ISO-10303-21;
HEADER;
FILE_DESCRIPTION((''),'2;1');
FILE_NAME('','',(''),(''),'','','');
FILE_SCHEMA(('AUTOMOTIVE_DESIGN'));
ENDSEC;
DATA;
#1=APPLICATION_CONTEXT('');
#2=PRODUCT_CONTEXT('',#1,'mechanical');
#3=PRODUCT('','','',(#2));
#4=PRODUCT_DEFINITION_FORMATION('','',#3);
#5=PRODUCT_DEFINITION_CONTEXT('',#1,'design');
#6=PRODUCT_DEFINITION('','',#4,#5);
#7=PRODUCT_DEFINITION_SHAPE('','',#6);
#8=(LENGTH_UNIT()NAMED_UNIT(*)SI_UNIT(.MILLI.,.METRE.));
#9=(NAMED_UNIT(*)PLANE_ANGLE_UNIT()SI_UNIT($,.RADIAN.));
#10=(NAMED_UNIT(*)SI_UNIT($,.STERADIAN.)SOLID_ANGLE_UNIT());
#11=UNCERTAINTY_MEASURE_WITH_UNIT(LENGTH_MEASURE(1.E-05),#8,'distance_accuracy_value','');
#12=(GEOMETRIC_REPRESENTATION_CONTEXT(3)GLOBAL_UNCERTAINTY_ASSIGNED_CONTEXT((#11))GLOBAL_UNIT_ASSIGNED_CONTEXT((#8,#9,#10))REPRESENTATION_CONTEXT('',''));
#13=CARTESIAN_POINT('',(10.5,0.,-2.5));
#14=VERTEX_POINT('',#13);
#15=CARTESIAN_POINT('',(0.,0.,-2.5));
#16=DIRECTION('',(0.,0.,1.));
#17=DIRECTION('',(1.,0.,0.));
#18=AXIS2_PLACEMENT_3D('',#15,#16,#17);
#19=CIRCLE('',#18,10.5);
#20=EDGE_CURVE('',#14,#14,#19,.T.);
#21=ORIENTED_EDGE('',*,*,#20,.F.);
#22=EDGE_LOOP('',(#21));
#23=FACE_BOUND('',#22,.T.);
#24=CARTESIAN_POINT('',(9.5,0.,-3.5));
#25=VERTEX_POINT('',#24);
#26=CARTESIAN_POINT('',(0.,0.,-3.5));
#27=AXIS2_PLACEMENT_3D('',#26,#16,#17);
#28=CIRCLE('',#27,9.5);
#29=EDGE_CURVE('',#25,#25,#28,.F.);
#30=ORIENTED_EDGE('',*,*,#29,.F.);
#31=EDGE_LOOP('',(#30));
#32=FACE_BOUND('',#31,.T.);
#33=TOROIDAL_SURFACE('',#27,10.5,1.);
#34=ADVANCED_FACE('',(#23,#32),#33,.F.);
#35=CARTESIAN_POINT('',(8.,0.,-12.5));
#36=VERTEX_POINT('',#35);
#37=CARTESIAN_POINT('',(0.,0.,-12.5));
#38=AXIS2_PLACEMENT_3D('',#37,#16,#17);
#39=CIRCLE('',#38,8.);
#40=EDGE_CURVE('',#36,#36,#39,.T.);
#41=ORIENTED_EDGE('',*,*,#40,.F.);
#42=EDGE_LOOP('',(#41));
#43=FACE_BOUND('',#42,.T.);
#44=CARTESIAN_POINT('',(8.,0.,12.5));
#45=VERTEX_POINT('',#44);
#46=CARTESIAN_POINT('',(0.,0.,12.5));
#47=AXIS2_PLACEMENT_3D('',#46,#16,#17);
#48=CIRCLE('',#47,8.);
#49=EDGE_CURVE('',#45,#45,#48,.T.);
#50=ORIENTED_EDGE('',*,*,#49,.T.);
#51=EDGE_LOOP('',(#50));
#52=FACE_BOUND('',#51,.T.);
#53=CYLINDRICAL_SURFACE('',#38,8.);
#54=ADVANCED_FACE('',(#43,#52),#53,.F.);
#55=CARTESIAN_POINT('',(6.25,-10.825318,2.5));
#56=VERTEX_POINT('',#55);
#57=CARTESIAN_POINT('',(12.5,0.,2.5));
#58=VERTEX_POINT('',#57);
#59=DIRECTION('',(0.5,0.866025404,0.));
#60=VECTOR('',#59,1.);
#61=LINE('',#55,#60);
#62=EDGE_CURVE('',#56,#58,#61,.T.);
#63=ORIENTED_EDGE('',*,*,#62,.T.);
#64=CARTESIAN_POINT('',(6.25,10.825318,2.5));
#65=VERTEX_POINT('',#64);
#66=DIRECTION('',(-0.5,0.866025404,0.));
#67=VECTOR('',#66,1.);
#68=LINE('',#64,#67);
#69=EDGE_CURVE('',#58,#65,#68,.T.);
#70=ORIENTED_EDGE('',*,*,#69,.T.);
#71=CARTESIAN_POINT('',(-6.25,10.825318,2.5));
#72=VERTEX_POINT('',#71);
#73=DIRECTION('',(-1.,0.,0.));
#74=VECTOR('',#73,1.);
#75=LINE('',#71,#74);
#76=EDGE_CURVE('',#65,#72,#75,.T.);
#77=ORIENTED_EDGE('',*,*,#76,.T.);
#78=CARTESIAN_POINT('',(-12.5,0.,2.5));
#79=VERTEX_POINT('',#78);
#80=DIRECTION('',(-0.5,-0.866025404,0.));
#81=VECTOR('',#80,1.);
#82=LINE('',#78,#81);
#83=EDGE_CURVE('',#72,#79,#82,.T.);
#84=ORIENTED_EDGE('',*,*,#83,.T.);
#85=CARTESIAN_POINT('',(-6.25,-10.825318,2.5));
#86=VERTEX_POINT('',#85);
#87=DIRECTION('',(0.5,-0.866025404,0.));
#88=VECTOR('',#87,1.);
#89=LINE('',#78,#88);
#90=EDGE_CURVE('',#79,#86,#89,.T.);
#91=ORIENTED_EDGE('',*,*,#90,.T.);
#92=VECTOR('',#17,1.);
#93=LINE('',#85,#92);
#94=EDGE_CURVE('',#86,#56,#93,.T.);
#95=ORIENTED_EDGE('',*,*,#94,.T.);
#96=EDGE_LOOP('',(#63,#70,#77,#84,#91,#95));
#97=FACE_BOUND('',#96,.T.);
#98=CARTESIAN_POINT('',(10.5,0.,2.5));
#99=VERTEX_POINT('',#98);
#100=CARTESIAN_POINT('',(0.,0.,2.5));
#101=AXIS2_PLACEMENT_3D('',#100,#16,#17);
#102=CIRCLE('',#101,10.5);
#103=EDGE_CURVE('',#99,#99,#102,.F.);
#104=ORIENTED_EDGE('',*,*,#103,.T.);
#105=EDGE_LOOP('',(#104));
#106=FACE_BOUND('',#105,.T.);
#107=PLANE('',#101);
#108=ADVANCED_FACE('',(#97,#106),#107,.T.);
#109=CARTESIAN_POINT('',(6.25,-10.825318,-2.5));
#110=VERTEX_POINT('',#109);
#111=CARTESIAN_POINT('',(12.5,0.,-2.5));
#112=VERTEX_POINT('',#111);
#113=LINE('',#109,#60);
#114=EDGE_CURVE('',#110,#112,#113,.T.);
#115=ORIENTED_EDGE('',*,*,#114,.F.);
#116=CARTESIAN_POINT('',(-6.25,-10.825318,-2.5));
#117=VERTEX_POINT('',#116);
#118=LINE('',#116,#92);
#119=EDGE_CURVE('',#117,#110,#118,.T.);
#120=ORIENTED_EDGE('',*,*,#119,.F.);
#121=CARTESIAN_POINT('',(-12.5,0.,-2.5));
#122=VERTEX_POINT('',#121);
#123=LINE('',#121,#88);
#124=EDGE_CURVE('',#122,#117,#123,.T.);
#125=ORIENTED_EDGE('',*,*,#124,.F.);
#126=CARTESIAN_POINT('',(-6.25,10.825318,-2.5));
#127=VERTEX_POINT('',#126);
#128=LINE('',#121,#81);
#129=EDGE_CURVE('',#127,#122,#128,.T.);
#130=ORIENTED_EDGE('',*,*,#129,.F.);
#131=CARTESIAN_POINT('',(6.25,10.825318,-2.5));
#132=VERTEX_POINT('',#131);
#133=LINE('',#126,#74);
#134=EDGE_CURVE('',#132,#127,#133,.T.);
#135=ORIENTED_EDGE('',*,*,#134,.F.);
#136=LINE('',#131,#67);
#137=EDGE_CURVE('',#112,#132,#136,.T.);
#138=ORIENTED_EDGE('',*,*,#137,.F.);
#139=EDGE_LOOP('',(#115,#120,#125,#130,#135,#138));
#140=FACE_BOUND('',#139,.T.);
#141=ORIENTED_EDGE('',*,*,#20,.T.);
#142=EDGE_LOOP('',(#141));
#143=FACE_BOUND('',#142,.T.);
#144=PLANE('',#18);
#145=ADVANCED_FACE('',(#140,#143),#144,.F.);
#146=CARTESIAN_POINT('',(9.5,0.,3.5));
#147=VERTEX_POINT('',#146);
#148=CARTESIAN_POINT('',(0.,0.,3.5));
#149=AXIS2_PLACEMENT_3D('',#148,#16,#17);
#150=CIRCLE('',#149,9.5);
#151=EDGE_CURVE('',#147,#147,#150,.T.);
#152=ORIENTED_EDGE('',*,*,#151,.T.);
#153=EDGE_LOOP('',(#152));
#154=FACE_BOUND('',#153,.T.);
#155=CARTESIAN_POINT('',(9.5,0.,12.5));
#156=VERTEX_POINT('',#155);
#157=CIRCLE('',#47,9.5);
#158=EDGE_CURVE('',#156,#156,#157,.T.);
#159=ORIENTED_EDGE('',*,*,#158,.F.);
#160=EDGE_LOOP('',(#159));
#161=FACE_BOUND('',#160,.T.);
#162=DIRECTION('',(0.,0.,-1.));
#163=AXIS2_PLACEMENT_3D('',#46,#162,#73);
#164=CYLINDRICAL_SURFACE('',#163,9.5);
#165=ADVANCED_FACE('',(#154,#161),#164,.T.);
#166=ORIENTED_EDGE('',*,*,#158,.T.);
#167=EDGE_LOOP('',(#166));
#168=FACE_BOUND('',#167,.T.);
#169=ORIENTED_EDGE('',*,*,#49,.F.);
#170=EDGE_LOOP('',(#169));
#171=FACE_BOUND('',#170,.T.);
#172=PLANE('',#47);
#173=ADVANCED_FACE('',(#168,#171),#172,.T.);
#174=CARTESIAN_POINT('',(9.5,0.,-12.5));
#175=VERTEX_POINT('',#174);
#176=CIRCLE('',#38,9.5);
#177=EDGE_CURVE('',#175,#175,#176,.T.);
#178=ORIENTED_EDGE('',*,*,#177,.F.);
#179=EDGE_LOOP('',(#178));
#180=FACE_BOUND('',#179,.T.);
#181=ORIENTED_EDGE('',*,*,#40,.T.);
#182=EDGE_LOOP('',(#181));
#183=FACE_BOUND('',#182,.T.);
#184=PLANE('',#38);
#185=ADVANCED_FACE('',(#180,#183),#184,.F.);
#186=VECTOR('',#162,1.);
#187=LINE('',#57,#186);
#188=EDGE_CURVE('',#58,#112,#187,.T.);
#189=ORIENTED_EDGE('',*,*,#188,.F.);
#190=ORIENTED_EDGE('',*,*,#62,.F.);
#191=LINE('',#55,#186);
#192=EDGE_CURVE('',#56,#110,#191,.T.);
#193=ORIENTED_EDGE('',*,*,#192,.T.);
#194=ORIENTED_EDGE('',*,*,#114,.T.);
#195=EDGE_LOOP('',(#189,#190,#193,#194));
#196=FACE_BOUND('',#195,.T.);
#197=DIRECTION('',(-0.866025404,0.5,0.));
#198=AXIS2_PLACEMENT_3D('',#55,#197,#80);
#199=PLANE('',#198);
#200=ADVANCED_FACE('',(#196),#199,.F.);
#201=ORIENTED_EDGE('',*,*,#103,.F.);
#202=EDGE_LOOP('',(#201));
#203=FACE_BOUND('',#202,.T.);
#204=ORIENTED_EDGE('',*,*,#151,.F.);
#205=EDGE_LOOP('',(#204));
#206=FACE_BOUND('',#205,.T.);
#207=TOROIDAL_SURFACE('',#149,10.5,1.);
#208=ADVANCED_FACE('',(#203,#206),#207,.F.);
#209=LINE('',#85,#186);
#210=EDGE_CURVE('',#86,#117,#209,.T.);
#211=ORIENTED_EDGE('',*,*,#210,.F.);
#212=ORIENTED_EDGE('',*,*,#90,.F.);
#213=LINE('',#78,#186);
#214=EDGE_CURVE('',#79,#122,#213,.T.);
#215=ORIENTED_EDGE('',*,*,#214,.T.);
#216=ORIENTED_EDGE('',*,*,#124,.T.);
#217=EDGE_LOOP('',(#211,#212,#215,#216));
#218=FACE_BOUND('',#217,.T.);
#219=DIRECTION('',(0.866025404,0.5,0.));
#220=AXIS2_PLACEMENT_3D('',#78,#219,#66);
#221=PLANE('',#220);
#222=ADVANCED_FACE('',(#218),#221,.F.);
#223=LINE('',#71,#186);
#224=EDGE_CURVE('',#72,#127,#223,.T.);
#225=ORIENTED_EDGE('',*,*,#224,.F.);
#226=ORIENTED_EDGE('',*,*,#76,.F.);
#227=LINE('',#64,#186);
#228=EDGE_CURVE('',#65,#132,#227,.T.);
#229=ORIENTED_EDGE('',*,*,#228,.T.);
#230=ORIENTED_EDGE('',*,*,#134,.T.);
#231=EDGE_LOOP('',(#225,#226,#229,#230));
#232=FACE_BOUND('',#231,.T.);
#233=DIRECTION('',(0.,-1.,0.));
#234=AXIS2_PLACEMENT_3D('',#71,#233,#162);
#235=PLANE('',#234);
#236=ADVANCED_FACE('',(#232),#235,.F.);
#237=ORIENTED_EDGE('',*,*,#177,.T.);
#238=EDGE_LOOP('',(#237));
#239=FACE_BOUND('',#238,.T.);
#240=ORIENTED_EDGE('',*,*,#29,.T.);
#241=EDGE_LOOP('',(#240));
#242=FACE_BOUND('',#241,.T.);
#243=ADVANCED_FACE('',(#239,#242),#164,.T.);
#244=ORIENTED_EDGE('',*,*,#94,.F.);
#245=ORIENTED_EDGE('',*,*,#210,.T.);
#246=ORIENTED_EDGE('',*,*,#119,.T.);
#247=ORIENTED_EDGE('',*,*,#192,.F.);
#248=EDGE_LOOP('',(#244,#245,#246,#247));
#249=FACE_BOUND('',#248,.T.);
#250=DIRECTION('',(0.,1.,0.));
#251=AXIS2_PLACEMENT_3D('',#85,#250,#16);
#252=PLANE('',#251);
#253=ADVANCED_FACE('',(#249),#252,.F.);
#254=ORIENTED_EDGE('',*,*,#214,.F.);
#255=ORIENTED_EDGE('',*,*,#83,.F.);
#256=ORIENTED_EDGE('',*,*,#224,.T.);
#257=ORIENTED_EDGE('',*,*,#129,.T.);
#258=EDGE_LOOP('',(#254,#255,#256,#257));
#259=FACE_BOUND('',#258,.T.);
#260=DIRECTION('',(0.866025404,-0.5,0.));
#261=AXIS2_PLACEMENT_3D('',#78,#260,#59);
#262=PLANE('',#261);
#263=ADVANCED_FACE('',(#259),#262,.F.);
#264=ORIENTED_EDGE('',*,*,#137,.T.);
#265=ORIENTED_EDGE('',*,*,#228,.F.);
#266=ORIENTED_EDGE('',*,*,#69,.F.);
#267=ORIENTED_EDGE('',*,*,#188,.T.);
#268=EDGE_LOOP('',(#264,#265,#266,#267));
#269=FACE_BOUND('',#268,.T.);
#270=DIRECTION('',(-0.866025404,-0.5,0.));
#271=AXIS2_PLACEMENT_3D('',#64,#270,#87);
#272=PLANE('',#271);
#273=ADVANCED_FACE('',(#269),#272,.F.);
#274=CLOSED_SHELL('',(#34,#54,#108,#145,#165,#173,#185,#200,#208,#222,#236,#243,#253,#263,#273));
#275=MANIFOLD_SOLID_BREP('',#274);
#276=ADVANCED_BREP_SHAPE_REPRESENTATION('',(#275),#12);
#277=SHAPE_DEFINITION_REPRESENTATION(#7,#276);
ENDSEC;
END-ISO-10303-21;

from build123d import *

# Parameters (mm, degrees)
BOSS_EXTRUDE1_DEPTH     = 2.5
SKETCH2_R               = 9.5
BOSS_EXTRUDE2_DEPTH     = 12.5
CUT_EXTRUDE1_DEPTH      = 21.72890494
CUT_EXTRUDE1_DEPTH_BACK = 21.72890494
SKETCH3_R               = 8
FILLET1_R               = 1


with BuildPart() as part:
    # Sketch1 → Boss-Extrude1 (new, symmetric)
    with BuildSketch(Plane.XY):
        Polygon((-12.5, 0), (-6.25, 10.825317547), (6.25, 10.825317547), (12.5, 0), (6.25, -10.825317547), (-6.25, -10.825317547), align=None)
    extrude(amount=BOSS_EXTRUDE1_DEPTH, both=True)

    # Sketch2 → Boss-Extrude2 (add, symmetric)
    with BuildSketch(Plane.XY):
        Circle(SKETCH2_R)
    extrude(amount=BOSS_EXTRUDE2_DEPTH, both=True)

    # Sketch3 → Cut-Extrude1 (cut, two sides: drawn at the far end of the back side and taken through both)
    with BuildSketch(Plane.XY.offset(-CUT_EXTRUDE1_DEPTH_BACK)):
        Circle(SKETCH3_R)
    extrude(amount=CUT_EXTRUDE1_DEPTH + CUT_EXTRUDE1_DEPTH_BACK, mode=Mode.SUBTRACT)

    # Fillet1
    fillet1_edges = [part.edges().sort_by_distance(p)[0] for p in [
        (-9.5, 0, -2.5),
        (-9.5, 0, 2.5),
    ]]
    fillet(fillet1_edges, radius=FILLET1_R)


solid = part.part
